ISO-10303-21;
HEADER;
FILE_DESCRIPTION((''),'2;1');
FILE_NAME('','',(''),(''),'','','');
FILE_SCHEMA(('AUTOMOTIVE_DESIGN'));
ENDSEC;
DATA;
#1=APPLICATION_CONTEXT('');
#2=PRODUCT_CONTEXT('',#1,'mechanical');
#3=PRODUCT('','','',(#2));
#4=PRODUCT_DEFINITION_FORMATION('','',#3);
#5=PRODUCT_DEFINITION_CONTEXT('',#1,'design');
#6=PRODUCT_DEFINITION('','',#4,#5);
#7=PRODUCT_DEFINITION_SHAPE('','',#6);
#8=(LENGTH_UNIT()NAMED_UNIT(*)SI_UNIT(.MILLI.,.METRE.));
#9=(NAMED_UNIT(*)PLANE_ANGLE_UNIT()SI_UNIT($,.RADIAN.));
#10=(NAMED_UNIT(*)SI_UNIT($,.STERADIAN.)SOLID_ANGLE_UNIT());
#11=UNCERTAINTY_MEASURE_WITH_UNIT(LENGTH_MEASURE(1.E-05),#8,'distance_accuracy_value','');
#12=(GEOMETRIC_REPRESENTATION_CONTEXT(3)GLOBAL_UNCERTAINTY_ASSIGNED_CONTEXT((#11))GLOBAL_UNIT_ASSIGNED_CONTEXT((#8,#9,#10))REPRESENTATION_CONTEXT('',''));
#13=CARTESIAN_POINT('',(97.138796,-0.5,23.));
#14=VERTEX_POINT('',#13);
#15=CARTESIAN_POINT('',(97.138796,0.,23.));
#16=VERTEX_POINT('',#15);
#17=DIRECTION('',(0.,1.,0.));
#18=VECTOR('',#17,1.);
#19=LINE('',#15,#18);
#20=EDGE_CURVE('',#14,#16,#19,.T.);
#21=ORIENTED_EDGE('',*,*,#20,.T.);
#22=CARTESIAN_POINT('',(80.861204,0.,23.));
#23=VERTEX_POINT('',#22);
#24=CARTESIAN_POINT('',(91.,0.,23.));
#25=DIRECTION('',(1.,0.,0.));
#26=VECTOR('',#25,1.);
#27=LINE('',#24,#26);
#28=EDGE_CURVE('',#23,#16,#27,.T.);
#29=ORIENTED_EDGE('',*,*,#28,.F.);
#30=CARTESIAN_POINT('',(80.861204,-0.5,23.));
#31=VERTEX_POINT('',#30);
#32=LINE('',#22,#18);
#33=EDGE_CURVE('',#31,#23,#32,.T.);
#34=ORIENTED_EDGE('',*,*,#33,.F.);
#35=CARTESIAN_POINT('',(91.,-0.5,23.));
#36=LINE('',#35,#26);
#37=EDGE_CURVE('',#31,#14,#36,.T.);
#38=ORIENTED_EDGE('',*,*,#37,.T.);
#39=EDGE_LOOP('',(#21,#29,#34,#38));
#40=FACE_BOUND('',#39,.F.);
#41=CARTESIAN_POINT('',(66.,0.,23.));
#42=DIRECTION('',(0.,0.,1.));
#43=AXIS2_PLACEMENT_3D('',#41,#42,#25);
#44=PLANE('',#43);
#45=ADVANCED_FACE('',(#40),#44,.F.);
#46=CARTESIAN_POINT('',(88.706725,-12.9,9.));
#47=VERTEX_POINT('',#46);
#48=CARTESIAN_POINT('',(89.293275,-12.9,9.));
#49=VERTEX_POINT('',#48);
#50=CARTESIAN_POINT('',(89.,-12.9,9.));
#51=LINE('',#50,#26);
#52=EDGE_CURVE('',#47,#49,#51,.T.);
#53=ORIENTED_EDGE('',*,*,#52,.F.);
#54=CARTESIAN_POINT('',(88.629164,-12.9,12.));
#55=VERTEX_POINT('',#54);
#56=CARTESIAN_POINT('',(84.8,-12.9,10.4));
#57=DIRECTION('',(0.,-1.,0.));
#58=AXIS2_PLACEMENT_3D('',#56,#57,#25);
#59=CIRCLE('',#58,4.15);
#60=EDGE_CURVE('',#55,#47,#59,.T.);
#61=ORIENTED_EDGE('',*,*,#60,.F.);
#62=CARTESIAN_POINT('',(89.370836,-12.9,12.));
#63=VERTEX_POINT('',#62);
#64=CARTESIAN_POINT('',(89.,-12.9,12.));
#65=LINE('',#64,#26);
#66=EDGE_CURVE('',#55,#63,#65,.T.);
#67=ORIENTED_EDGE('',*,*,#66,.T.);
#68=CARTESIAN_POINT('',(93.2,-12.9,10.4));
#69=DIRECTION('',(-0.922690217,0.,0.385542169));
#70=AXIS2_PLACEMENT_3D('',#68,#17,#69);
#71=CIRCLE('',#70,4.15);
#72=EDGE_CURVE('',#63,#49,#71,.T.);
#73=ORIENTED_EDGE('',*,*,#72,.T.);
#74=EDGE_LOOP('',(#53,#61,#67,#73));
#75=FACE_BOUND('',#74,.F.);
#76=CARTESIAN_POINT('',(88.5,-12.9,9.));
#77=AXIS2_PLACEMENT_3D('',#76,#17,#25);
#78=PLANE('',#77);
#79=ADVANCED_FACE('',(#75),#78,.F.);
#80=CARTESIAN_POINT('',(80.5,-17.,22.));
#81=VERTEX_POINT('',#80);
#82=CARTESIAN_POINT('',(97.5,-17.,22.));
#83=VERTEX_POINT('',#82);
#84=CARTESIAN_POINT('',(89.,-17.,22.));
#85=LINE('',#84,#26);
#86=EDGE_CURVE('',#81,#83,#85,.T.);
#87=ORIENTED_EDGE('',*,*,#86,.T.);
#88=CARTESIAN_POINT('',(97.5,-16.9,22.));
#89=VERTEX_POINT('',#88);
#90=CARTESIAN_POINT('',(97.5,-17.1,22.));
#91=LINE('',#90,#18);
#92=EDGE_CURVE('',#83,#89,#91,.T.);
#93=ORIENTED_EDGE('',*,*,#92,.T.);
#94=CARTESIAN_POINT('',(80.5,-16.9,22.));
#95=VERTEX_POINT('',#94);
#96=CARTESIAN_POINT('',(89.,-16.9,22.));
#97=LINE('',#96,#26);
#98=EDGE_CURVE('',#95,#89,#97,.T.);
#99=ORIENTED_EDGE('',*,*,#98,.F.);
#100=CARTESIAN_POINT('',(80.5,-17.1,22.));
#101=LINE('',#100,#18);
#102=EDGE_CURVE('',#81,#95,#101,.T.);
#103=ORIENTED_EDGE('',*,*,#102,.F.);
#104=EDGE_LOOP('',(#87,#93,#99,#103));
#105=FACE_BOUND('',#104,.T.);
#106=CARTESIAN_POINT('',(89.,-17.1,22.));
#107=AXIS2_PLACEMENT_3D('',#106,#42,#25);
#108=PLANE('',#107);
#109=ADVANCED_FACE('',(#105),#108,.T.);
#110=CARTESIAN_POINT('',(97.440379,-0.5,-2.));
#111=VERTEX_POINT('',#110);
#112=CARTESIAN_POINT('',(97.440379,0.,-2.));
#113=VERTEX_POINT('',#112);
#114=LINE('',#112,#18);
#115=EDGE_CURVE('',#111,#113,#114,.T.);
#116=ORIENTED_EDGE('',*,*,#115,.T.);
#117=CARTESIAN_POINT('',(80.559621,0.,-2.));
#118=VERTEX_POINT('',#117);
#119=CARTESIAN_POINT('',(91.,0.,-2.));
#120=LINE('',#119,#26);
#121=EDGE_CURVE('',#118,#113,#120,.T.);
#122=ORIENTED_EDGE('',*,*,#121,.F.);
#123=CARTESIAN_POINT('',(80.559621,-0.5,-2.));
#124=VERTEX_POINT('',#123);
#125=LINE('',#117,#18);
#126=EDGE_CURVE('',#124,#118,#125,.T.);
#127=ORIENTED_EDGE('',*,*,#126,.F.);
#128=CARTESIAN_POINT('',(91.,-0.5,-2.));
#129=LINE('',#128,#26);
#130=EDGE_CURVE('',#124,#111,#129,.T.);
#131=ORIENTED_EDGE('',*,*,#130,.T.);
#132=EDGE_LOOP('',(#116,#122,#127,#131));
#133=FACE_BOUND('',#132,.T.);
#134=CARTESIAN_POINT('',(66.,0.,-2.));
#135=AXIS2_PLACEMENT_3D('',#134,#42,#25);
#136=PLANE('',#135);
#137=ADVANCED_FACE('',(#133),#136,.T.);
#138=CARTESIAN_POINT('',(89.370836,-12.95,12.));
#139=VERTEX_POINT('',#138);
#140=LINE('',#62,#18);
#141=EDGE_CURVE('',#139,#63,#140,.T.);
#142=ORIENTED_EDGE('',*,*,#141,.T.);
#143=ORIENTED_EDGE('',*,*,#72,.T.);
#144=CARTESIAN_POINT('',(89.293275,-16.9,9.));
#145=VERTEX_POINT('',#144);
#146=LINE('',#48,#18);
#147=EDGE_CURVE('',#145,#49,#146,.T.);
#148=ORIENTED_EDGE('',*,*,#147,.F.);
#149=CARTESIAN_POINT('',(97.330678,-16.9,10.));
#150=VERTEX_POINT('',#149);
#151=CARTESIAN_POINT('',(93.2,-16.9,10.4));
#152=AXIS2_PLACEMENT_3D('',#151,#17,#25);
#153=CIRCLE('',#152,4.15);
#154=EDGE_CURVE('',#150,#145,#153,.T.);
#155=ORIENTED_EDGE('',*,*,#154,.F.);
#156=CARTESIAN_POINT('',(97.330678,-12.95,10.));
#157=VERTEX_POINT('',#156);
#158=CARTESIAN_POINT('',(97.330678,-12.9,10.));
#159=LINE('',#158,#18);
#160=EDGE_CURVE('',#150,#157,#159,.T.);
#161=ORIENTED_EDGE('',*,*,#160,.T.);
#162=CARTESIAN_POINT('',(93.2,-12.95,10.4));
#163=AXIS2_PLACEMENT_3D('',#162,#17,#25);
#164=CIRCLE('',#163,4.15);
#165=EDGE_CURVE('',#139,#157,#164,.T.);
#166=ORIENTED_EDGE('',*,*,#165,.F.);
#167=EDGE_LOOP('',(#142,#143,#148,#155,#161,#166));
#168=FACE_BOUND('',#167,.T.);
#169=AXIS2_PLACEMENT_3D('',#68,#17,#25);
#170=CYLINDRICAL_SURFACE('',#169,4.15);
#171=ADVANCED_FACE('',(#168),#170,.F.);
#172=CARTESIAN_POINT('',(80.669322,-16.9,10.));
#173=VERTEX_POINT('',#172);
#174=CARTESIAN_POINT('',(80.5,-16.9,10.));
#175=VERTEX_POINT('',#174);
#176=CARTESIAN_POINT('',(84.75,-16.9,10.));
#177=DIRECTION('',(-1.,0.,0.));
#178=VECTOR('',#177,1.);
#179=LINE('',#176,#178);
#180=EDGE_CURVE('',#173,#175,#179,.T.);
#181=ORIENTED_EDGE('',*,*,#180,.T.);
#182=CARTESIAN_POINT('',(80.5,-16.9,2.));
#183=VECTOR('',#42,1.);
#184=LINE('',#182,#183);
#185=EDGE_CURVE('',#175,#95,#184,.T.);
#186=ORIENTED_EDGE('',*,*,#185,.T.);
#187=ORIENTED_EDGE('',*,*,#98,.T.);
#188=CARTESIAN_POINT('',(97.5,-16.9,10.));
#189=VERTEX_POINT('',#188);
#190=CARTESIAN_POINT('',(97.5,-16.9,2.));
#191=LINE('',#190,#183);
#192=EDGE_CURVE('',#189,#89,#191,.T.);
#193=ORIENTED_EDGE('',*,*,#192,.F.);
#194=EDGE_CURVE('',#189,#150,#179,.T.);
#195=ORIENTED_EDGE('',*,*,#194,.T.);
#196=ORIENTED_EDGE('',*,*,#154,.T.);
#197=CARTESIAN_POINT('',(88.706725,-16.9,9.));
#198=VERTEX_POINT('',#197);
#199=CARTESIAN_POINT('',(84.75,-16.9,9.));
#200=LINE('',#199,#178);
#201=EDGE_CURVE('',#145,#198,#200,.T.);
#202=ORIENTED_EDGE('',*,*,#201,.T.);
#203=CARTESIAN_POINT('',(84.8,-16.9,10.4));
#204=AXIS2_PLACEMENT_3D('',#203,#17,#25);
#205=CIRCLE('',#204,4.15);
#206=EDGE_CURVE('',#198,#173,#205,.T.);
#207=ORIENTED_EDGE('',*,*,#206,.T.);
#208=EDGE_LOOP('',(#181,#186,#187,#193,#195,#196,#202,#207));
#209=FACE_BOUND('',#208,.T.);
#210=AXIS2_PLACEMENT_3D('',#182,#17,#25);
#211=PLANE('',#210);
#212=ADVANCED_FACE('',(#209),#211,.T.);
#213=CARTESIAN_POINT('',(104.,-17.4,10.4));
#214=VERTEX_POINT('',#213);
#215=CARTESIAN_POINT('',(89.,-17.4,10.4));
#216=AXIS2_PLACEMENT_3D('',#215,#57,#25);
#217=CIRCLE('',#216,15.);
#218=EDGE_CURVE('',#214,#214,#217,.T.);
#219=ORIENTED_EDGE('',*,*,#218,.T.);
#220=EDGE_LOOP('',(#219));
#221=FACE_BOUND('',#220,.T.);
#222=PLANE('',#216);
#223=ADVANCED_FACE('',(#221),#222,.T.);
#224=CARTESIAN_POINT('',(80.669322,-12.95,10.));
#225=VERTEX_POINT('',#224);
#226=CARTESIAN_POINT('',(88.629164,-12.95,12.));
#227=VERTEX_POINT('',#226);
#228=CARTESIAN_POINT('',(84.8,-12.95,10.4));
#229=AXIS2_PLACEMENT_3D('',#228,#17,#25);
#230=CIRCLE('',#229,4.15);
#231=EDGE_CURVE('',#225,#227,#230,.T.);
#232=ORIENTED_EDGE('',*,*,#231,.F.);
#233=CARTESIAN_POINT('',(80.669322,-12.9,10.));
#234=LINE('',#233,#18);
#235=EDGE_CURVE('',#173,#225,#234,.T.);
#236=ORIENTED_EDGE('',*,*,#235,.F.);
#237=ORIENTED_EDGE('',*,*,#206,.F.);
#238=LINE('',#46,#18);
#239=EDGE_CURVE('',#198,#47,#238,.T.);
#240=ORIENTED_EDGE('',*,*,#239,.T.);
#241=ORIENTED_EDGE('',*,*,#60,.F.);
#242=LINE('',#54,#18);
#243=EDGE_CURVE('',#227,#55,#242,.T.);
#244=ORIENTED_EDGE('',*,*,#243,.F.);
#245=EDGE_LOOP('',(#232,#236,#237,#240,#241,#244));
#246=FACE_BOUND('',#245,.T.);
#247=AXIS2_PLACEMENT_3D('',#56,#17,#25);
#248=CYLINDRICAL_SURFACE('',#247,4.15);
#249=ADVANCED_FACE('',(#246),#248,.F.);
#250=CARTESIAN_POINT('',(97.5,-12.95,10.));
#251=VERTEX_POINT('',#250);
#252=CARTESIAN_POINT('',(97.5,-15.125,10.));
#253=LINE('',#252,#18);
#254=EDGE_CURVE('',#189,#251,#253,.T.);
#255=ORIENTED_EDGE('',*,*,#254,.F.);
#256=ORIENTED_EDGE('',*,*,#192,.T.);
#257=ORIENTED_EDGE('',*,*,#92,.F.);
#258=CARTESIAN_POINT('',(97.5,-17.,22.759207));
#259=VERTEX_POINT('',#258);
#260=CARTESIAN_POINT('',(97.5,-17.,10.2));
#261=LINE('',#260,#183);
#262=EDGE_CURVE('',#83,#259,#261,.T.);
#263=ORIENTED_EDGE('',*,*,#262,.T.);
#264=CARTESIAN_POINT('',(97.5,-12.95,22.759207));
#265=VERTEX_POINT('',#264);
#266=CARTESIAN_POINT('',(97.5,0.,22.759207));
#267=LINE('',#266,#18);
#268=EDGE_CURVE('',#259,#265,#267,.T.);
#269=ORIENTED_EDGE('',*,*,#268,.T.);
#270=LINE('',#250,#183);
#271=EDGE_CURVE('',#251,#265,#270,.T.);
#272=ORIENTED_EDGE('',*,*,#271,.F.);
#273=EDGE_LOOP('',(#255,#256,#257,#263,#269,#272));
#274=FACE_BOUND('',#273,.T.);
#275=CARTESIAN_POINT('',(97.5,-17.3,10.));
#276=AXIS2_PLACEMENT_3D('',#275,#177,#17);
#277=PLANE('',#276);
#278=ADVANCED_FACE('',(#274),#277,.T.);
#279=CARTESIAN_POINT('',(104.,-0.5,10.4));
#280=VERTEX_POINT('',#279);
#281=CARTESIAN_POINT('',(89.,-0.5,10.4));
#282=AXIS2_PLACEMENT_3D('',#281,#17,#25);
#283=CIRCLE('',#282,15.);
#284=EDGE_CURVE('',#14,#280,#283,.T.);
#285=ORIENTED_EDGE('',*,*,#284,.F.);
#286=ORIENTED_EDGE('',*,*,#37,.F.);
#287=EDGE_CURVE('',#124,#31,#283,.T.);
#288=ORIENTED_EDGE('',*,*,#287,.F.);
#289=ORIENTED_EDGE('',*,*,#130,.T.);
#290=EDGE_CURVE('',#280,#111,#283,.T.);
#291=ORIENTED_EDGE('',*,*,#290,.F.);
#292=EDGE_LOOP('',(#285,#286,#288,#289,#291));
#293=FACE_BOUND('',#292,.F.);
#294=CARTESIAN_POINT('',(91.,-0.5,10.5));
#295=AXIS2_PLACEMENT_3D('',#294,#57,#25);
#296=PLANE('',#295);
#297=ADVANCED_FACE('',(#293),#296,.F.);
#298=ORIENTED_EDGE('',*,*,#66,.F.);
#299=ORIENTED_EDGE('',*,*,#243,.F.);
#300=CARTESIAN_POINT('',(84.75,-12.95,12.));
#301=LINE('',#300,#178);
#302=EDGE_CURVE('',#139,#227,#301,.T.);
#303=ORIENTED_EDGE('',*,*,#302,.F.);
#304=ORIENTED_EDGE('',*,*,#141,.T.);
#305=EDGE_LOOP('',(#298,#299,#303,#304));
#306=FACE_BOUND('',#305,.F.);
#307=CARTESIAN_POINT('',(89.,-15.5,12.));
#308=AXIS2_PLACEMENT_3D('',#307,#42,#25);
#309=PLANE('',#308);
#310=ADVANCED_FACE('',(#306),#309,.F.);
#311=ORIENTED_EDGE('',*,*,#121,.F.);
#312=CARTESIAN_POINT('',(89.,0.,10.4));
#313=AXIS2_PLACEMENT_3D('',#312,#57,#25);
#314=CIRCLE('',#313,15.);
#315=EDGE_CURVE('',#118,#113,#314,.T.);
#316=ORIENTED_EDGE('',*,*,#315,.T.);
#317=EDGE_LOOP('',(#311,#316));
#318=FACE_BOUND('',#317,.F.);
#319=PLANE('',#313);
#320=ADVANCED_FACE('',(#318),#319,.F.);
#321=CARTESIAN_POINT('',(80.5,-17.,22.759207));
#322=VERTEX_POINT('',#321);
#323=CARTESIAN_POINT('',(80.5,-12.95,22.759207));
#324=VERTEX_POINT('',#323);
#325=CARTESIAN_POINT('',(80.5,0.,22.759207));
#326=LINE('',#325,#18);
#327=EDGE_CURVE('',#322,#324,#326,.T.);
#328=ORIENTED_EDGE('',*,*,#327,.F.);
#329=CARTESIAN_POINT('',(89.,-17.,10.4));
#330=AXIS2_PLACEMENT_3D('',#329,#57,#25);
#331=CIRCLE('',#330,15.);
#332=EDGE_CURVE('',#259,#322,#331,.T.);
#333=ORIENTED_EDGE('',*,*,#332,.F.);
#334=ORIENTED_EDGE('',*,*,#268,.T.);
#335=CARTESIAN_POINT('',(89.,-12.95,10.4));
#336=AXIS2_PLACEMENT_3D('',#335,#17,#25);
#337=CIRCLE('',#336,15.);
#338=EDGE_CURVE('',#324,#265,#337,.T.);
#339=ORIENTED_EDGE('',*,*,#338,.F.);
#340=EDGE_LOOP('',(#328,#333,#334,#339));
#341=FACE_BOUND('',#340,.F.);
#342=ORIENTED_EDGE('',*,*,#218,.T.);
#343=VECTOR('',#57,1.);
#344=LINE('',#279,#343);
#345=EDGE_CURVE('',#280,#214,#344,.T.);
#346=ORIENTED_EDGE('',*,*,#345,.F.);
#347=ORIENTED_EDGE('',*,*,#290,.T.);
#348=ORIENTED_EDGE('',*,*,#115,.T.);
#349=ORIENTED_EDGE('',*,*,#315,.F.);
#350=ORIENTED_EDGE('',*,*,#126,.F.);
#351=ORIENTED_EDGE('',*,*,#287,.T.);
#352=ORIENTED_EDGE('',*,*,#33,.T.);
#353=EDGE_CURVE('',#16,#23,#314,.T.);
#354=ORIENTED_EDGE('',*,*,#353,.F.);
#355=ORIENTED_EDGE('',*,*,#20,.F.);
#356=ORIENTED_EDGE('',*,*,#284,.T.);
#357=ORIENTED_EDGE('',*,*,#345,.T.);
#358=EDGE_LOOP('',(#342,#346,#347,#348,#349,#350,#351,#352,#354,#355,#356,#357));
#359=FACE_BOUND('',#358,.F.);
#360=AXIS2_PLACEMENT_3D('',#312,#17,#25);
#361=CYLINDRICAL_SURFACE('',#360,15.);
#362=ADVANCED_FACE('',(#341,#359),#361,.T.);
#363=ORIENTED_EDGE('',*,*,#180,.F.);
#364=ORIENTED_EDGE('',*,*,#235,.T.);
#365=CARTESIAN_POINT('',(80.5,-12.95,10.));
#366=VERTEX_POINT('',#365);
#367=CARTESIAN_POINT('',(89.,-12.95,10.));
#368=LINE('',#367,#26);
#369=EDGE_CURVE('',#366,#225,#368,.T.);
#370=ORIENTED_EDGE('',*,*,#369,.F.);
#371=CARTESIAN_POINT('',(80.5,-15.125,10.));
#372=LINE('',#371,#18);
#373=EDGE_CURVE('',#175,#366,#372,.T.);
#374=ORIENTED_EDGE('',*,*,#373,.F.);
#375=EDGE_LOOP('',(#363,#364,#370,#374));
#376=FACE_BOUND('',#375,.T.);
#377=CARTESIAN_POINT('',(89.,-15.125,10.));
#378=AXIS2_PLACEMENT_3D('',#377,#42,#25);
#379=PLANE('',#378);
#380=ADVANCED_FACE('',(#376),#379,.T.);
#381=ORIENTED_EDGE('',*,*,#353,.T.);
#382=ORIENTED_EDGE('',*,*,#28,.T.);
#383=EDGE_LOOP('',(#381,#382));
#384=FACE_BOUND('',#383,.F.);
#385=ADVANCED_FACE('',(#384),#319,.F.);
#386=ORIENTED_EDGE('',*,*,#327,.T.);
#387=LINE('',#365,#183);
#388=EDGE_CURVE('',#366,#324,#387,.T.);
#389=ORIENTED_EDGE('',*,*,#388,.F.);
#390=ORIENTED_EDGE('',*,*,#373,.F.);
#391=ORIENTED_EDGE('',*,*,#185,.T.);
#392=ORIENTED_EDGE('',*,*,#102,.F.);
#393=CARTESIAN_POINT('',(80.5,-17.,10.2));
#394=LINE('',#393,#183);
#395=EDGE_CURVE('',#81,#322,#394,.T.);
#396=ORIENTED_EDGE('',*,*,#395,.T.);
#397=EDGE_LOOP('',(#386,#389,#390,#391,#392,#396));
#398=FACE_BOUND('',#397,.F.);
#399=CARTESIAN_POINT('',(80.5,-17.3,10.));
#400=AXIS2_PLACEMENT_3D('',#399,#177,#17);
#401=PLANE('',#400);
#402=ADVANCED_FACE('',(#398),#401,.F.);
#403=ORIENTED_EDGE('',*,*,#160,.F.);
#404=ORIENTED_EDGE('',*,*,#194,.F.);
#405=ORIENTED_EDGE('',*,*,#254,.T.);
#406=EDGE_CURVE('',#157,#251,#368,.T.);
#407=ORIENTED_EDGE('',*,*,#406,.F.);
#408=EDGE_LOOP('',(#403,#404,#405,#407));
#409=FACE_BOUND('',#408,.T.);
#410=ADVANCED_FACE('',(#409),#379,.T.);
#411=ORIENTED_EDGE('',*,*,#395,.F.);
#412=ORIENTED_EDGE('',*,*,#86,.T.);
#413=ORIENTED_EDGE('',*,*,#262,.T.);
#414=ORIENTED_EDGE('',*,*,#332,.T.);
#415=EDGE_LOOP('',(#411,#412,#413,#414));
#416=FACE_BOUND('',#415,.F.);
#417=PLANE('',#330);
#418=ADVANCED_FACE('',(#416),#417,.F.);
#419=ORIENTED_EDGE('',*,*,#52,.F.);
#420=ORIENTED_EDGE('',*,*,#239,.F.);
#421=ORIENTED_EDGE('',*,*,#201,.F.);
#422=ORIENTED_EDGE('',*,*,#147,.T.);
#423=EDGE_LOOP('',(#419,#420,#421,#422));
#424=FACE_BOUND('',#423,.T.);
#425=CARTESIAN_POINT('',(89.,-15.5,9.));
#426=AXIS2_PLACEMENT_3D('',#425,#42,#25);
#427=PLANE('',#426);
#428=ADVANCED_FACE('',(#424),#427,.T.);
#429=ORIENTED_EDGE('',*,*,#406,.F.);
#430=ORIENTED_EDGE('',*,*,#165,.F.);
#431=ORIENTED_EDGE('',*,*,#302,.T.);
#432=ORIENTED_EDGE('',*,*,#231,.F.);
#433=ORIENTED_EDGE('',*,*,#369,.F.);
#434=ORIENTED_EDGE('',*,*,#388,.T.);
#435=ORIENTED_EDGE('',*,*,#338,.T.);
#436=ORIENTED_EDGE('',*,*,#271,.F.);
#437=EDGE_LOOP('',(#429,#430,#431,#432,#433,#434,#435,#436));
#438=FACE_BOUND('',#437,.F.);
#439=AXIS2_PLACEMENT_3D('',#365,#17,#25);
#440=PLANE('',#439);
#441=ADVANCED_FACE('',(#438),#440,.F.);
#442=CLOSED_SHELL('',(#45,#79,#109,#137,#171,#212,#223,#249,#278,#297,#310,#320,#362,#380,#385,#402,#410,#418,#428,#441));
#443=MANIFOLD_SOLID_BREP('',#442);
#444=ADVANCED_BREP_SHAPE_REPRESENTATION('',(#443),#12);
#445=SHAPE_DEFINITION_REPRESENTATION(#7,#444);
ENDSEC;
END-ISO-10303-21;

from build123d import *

# Parameters (mm, degrees)
SKETCH007_R         = 15
EXTRUDE003004_DEPTH = 0.4
BOX019_W            = 17
BOX019_H            = 0.4
BOX019_DEPTH        = 20
BOX018_W            = 17
BOX018_H            = 4.35
BOX018_DEPTH        = 28
BOX013_W            = 1
BOX013_H            = 5.2
BOX013_DEPTH        = 3
CYLINDER009_R       = 4.15
CYLINDER009_DEPTH   = 10
CYLINDER007_R       = 4.15
CYLINDER007_DEPTH   = 10
BOX007_W            = 50
BOX007_H            = 25
BOX007_DEPTH        = 0.5
SKETCH006_R         = 15
EXTRUDE003003_DEPTH = 17.25


with BuildPart() as extrude003004:
    # Sketch007 → Extrude003004 (new body)
    with BuildSketch(Plane.XZ):
        with Locations((89, 10.4)):
            Circle(SKETCH007_R)
    extrude(amount=EXTRUDE003004_DEPTH)


with BuildPart() as extrude003004_1:
    # Extrude003004 placement: moved
    add(extrude003004.part.moved(Location((0, -17, 0))))


with BuildPart() as cube016:
    # Box019 → Box019 (new body)
    with BuildSketch(Plane(origin=(80.5, -17.3, 2), x_dir=(1, 0, 0), z_dir=(0, 0, 1))):
        with Locations((8.5, 0.2)):
            Rectangle(BOX019_W, BOX019_H)
    extrude(amount=BOX019_DEPTH)


with BuildPart() as cube015:
    # Box018 → Box018 (new body)
    with BuildSketch(Plane(origin=(80.5, -17.3, 10), x_dir=(1, 0, 0), z_dir=(0, 0, 1))):
        with Locations((8.5, 2.175)):
            Rectangle(BOX018_W, BOX018_H)
    extrude(amount=BOX018_DEPTH)


with BuildPart() as cube012:
    # Box013 → Box013 (new body)
    with BuildSketch(Plane(origin=(88.5, -18.1, 9), x_dir=(1, 0, 0), z_dir=(0, 0, 1))):
        with Locations((0.5, 2.6)):
            Rectangle(BOX013_W, BOX013_H)
    extrude(amount=BOX013_DEPTH)


with BuildPart() as iman_chico_fuerte003:
    # Cylinder009 → Cylinder009 (new body)
    with BuildSketch(Plane(origin=(93.2, -12.9, 10.4), x_dir=(1, 0, 0), z_dir=(0, -1, 0))):
        Circle(CYLINDER009_R)
    extrude(amount=CYLINDER009_DEPTH)


with BuildPart() as iman_chico_fuerte001:
    # Cylinder007 → Cylinder007 (new body)
    with BuildSketch(Plane(origin=(84.8, -12.9, 10.4), x_dir=(1, 0, 0), z_dir=(0, -1, 0))):
        Circle(CYLINDER007_R)
    extrude(amount=CYLINDER007_DEPTH)


with BuildPart() as cube007:
    # Box007 → Box007 (new body)
    with BuildSketch(Plane(origin=(66, 0, -2), x_dir=(1, 0, 0), z_dir=(0, -1, 0))):
        with Locations((25, 12.5)):
            Rectangle(BOX007_W, BOX007_H)
    extrude(amount=BOX007_DEPTH)


with BuildPart() as pared_2_iman_fuerte_interno_sin_tapa:
    # Sketch006 → Extrude003003 (new body)
    with BuildSketch(Plane.XZ):
        with Locations((89, 10.4)):
            Circle(SKETCH006_R)
    extrude(amount=EXTRUDE003003_DEPTH)

    # Cut005014006: cut Cube007
    add(cube007.part, mode=Mode.SUBTRACT)

    # Cut005014007: cut iman_chico_fuerte001
    add(iman_chico_fuerte001.part, mode=Mode.SUBTRACT)

    # Cut005014010: cut iman_chico_fuerte003
    add(iman_chico_fuerte003.part, mode=Mode.SUBTRACT)

    # Cut005014011: cut Cube012
    add(cube012.part, mode=Mode.SUBTRACT)

    # Cut005014013: cut Cube015
    add(cube015.part, mode=Mode.SUBTRACT)

    # Fusion007: union Cube016
    add(cube016.part)

    # Fusion008: union Extrude003004
    add(extrude003004_1.part)


solid = pared_2_iman_fuerte_interno_sin_tapa.part
